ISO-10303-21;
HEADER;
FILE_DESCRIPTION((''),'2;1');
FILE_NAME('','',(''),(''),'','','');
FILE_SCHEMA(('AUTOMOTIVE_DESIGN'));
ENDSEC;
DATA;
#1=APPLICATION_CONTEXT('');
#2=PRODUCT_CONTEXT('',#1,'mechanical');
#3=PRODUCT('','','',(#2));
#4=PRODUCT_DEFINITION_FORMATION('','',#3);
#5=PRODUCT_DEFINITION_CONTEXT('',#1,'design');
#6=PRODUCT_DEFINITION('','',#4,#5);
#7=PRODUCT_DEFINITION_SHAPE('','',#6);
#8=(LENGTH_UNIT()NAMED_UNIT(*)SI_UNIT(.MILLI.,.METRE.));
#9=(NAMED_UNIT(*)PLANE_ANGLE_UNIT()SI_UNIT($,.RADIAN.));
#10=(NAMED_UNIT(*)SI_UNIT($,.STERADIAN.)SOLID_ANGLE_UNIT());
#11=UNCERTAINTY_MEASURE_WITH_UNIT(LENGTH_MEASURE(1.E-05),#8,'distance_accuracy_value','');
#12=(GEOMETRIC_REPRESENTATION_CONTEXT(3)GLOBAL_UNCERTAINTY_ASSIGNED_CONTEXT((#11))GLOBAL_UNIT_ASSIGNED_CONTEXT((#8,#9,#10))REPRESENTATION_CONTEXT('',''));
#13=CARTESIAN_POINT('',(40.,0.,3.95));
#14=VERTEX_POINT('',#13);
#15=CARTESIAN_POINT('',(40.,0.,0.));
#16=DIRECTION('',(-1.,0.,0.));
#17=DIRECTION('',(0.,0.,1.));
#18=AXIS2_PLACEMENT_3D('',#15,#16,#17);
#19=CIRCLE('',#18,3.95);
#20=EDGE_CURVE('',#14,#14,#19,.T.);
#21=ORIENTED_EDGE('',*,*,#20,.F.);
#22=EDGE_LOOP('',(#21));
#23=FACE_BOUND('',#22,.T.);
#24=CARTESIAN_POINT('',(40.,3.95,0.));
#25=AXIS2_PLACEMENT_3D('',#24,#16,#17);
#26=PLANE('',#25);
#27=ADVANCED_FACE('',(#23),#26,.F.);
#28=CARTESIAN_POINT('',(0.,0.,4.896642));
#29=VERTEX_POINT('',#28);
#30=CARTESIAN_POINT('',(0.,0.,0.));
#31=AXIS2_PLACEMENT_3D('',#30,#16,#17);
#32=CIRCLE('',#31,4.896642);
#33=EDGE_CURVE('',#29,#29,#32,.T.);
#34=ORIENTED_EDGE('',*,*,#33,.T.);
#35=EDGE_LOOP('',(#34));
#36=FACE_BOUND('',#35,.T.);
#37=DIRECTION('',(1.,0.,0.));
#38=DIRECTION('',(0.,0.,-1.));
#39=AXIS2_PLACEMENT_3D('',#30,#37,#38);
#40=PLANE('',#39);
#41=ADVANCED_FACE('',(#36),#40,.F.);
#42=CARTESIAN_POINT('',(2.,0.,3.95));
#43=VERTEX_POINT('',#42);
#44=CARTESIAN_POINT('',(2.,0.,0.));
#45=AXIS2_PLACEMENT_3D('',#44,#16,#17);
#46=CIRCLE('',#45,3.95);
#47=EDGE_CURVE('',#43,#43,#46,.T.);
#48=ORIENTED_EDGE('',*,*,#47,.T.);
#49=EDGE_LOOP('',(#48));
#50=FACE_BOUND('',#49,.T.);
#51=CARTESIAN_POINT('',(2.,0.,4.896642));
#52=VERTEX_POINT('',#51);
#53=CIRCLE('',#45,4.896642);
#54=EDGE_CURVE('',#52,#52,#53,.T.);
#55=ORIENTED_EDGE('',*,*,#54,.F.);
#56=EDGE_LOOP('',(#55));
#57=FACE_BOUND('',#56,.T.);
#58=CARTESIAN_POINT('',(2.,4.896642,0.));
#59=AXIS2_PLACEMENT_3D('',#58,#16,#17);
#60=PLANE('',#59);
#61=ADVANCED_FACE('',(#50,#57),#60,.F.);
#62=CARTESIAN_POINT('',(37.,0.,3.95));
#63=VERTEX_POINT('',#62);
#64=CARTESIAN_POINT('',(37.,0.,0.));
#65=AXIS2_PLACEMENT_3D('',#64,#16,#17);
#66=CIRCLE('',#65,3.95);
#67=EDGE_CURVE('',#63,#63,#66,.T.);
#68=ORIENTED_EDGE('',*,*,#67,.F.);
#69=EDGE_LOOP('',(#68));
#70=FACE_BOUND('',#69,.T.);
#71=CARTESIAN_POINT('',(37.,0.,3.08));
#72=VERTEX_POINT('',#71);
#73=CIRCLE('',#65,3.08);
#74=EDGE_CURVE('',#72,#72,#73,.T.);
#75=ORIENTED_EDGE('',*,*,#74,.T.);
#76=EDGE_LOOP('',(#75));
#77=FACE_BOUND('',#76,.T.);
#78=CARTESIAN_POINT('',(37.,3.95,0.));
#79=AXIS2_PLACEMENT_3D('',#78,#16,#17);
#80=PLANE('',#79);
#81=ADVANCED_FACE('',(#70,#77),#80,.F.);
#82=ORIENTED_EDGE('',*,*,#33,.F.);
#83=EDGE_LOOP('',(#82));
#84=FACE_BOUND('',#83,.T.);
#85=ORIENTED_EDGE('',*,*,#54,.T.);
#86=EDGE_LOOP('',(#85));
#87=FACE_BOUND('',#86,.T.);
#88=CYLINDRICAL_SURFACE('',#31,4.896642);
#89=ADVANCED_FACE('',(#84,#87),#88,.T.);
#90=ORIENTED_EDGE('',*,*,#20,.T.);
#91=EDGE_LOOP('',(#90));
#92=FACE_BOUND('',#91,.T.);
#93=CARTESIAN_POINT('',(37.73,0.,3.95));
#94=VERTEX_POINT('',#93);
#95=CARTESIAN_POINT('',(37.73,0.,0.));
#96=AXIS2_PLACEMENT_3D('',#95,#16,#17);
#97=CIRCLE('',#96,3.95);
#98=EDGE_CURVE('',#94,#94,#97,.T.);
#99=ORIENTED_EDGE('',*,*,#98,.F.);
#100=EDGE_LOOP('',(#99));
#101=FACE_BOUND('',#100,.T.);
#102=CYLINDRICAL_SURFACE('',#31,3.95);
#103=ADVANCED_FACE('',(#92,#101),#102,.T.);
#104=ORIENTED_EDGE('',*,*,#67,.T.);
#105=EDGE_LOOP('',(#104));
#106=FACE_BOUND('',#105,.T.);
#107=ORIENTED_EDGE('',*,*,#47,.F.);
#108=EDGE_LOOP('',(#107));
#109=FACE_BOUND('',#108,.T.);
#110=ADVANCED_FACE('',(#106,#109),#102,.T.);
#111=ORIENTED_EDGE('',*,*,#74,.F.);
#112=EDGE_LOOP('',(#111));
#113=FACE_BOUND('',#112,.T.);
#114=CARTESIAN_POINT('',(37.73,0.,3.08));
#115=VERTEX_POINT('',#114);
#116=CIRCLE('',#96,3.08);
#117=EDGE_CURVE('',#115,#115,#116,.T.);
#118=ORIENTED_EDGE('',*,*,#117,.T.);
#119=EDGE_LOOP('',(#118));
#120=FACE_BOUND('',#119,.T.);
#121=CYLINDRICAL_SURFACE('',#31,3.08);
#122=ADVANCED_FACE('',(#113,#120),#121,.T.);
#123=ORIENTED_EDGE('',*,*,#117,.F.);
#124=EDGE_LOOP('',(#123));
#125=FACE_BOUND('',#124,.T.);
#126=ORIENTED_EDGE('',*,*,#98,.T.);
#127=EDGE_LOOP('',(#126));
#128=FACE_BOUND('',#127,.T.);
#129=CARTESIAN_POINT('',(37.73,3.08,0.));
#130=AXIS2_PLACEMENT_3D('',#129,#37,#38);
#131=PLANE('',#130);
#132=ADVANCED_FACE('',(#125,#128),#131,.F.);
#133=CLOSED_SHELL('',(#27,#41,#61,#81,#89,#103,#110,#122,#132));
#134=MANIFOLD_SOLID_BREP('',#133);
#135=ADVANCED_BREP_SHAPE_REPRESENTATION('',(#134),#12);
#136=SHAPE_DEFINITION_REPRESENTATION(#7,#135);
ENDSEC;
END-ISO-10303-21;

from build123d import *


with BuildPart() as part:
    # Sketch1 → Revolve1 (revolve)
    with BuildSketch(Plane.XY):
        Polygon((0, 0), (0, 4.896641555), (2, 4.896641555), (2, 3.95), (37, 3.95), (37, 3.08), (37.73, 3.08), (37.73, 3.95), (40, 3.95), (40, 0), align=None)
    revolve(axis=Axis((0, 0, 0), (1, 0, 0)))


solid = part.part
